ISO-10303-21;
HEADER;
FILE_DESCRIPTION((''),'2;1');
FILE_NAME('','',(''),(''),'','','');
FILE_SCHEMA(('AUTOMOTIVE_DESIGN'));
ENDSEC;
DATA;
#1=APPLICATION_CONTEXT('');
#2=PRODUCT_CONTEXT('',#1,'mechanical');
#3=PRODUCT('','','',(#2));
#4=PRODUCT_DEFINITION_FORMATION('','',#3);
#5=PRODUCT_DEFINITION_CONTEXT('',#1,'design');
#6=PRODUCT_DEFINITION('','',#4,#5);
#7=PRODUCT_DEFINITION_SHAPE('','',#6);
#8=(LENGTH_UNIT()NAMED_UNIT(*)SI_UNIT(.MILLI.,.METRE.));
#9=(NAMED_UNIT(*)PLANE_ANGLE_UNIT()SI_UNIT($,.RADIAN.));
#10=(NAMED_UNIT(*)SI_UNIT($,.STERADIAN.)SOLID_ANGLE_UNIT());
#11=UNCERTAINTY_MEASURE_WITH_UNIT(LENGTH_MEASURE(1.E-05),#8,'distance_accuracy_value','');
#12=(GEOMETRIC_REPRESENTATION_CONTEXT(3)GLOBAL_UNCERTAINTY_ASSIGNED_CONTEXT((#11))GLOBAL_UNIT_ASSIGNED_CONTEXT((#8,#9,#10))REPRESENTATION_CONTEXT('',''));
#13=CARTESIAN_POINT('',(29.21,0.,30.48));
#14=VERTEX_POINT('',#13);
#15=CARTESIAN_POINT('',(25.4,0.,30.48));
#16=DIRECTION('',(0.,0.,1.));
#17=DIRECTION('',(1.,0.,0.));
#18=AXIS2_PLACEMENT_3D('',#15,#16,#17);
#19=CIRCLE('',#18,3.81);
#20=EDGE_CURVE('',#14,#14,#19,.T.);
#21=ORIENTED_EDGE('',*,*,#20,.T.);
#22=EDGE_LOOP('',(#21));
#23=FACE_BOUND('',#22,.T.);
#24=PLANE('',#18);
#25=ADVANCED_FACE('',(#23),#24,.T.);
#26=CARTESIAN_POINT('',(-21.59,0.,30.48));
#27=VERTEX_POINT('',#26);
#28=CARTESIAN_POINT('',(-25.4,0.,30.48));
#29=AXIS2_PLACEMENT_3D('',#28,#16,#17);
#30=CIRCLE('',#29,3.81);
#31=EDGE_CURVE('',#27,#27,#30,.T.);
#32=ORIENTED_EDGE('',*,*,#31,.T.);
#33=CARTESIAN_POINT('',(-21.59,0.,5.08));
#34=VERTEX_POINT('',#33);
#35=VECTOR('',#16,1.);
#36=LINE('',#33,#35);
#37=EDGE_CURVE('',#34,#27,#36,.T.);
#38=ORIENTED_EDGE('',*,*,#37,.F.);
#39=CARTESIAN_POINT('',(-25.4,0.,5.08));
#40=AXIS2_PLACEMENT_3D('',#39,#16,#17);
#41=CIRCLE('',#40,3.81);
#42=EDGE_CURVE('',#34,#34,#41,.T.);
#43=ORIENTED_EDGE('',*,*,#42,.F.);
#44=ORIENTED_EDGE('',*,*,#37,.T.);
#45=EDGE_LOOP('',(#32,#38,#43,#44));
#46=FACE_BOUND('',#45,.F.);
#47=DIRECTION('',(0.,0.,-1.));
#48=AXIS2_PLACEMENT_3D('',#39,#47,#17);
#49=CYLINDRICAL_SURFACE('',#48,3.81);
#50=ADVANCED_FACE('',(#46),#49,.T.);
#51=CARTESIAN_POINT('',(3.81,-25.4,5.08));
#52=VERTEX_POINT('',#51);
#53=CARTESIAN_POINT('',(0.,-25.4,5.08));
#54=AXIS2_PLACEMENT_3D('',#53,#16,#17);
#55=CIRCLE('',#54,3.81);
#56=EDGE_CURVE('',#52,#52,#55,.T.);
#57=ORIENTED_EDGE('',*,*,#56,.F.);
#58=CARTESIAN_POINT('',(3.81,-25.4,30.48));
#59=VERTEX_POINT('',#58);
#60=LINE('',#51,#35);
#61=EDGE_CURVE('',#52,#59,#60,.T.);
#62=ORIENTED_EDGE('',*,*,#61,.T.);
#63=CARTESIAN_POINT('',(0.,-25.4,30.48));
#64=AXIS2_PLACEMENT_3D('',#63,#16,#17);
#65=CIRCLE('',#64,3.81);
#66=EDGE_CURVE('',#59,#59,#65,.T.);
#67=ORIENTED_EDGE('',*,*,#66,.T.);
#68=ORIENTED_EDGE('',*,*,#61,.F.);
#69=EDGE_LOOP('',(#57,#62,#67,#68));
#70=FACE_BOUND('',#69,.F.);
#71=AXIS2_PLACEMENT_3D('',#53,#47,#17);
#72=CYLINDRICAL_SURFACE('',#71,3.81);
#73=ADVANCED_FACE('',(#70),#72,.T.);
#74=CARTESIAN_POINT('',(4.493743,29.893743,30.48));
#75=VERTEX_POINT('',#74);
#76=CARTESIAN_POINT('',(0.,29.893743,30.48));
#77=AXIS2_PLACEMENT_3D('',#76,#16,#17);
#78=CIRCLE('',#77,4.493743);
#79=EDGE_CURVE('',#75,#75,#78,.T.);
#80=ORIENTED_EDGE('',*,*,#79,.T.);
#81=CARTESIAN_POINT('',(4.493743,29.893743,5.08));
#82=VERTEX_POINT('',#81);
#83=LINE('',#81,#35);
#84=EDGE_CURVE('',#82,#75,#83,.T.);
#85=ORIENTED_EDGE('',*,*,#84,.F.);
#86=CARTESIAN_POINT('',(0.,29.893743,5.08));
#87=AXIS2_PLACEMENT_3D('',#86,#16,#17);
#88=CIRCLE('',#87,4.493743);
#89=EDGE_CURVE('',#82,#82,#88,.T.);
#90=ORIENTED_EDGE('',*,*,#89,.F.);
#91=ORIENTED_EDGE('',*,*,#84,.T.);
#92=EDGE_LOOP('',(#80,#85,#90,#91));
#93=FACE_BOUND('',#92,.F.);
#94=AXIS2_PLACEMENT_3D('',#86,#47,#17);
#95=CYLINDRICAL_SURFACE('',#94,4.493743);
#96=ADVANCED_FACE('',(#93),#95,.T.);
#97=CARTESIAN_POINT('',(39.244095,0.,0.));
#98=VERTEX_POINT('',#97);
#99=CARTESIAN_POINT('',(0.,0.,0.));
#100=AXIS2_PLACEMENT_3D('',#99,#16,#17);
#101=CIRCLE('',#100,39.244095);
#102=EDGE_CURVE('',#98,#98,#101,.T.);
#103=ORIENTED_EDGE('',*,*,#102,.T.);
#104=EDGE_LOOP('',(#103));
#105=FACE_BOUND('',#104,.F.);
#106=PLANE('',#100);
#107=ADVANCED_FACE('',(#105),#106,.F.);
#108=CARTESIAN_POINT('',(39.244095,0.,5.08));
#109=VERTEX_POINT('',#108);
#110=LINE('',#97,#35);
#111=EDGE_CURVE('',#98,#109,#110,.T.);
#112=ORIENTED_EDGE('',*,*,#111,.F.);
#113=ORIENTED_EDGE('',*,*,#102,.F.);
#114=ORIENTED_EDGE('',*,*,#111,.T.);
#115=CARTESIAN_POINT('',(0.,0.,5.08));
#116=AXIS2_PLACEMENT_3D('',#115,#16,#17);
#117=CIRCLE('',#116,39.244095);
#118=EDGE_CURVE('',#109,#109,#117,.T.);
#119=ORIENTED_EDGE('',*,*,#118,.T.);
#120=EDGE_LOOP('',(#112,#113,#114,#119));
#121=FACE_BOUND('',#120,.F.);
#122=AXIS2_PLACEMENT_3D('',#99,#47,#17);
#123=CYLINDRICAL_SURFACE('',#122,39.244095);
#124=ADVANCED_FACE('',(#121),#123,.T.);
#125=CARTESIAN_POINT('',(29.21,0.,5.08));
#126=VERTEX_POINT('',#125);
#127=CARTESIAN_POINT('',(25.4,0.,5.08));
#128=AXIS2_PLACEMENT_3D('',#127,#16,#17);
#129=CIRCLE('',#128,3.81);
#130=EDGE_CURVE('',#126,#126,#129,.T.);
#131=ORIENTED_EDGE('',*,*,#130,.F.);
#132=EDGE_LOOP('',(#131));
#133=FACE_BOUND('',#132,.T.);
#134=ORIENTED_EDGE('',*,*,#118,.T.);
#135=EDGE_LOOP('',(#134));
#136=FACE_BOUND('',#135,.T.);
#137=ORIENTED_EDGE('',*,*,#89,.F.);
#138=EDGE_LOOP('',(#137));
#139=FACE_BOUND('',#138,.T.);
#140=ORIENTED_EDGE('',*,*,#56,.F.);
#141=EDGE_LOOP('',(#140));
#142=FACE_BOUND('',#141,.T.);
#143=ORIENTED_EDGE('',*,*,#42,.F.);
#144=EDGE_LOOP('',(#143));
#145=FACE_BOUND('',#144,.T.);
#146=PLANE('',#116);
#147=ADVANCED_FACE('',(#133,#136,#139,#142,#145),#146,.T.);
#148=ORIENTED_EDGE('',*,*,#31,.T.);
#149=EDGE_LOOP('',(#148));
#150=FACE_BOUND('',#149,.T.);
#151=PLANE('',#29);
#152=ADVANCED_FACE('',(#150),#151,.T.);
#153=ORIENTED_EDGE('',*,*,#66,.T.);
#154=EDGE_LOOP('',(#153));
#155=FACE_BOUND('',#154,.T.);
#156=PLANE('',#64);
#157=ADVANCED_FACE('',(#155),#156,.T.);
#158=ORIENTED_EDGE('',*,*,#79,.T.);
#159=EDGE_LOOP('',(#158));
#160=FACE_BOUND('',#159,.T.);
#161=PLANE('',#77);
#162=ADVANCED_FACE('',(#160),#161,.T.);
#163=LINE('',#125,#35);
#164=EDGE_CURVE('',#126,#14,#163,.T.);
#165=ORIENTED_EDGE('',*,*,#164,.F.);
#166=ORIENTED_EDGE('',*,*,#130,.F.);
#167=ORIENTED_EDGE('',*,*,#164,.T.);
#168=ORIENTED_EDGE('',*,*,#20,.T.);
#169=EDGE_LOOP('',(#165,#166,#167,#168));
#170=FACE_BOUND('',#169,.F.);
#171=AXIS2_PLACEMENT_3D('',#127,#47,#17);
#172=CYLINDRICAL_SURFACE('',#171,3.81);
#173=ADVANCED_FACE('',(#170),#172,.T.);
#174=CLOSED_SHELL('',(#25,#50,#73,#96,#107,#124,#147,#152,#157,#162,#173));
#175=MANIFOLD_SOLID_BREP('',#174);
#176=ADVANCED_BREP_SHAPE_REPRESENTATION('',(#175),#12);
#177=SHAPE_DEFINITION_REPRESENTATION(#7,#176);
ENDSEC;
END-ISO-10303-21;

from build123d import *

# Parameters (mm, degrees)
F0_R     = 39.244095
F1_DEPTH = 5.08
F2_R     = 4.493743
F2_R_2   = 3.81
F3_R     = 3.81
F4_DEPTH = 25.4


with BuildPart() as f1:
    # F0 (on Top) → F1 (new body)
    with BuildSketch(Plane.XY):
        Circle(F0_R)
    extrude(amount=F1_DEPTH)

    # F2 (on face) + F3 (on face) → F4 (join)
    with BuildSketch(Plane.XY.offset(5.08)):
        with Locations((0, 29.893743)):
            Circle(F2_R)
        with Locations((0, -25.4)):
            Circle(F2_R_2)
    with BuildSketch(Plane.XY.offset(5.08)):
        with Locations((25.4, 0)):
            Circle(F3_R)
        with Locations((-25.4, 0)):
            Circle(F3_R)
    extrude(amount=F4_DEPTH)


solid = f1.part
